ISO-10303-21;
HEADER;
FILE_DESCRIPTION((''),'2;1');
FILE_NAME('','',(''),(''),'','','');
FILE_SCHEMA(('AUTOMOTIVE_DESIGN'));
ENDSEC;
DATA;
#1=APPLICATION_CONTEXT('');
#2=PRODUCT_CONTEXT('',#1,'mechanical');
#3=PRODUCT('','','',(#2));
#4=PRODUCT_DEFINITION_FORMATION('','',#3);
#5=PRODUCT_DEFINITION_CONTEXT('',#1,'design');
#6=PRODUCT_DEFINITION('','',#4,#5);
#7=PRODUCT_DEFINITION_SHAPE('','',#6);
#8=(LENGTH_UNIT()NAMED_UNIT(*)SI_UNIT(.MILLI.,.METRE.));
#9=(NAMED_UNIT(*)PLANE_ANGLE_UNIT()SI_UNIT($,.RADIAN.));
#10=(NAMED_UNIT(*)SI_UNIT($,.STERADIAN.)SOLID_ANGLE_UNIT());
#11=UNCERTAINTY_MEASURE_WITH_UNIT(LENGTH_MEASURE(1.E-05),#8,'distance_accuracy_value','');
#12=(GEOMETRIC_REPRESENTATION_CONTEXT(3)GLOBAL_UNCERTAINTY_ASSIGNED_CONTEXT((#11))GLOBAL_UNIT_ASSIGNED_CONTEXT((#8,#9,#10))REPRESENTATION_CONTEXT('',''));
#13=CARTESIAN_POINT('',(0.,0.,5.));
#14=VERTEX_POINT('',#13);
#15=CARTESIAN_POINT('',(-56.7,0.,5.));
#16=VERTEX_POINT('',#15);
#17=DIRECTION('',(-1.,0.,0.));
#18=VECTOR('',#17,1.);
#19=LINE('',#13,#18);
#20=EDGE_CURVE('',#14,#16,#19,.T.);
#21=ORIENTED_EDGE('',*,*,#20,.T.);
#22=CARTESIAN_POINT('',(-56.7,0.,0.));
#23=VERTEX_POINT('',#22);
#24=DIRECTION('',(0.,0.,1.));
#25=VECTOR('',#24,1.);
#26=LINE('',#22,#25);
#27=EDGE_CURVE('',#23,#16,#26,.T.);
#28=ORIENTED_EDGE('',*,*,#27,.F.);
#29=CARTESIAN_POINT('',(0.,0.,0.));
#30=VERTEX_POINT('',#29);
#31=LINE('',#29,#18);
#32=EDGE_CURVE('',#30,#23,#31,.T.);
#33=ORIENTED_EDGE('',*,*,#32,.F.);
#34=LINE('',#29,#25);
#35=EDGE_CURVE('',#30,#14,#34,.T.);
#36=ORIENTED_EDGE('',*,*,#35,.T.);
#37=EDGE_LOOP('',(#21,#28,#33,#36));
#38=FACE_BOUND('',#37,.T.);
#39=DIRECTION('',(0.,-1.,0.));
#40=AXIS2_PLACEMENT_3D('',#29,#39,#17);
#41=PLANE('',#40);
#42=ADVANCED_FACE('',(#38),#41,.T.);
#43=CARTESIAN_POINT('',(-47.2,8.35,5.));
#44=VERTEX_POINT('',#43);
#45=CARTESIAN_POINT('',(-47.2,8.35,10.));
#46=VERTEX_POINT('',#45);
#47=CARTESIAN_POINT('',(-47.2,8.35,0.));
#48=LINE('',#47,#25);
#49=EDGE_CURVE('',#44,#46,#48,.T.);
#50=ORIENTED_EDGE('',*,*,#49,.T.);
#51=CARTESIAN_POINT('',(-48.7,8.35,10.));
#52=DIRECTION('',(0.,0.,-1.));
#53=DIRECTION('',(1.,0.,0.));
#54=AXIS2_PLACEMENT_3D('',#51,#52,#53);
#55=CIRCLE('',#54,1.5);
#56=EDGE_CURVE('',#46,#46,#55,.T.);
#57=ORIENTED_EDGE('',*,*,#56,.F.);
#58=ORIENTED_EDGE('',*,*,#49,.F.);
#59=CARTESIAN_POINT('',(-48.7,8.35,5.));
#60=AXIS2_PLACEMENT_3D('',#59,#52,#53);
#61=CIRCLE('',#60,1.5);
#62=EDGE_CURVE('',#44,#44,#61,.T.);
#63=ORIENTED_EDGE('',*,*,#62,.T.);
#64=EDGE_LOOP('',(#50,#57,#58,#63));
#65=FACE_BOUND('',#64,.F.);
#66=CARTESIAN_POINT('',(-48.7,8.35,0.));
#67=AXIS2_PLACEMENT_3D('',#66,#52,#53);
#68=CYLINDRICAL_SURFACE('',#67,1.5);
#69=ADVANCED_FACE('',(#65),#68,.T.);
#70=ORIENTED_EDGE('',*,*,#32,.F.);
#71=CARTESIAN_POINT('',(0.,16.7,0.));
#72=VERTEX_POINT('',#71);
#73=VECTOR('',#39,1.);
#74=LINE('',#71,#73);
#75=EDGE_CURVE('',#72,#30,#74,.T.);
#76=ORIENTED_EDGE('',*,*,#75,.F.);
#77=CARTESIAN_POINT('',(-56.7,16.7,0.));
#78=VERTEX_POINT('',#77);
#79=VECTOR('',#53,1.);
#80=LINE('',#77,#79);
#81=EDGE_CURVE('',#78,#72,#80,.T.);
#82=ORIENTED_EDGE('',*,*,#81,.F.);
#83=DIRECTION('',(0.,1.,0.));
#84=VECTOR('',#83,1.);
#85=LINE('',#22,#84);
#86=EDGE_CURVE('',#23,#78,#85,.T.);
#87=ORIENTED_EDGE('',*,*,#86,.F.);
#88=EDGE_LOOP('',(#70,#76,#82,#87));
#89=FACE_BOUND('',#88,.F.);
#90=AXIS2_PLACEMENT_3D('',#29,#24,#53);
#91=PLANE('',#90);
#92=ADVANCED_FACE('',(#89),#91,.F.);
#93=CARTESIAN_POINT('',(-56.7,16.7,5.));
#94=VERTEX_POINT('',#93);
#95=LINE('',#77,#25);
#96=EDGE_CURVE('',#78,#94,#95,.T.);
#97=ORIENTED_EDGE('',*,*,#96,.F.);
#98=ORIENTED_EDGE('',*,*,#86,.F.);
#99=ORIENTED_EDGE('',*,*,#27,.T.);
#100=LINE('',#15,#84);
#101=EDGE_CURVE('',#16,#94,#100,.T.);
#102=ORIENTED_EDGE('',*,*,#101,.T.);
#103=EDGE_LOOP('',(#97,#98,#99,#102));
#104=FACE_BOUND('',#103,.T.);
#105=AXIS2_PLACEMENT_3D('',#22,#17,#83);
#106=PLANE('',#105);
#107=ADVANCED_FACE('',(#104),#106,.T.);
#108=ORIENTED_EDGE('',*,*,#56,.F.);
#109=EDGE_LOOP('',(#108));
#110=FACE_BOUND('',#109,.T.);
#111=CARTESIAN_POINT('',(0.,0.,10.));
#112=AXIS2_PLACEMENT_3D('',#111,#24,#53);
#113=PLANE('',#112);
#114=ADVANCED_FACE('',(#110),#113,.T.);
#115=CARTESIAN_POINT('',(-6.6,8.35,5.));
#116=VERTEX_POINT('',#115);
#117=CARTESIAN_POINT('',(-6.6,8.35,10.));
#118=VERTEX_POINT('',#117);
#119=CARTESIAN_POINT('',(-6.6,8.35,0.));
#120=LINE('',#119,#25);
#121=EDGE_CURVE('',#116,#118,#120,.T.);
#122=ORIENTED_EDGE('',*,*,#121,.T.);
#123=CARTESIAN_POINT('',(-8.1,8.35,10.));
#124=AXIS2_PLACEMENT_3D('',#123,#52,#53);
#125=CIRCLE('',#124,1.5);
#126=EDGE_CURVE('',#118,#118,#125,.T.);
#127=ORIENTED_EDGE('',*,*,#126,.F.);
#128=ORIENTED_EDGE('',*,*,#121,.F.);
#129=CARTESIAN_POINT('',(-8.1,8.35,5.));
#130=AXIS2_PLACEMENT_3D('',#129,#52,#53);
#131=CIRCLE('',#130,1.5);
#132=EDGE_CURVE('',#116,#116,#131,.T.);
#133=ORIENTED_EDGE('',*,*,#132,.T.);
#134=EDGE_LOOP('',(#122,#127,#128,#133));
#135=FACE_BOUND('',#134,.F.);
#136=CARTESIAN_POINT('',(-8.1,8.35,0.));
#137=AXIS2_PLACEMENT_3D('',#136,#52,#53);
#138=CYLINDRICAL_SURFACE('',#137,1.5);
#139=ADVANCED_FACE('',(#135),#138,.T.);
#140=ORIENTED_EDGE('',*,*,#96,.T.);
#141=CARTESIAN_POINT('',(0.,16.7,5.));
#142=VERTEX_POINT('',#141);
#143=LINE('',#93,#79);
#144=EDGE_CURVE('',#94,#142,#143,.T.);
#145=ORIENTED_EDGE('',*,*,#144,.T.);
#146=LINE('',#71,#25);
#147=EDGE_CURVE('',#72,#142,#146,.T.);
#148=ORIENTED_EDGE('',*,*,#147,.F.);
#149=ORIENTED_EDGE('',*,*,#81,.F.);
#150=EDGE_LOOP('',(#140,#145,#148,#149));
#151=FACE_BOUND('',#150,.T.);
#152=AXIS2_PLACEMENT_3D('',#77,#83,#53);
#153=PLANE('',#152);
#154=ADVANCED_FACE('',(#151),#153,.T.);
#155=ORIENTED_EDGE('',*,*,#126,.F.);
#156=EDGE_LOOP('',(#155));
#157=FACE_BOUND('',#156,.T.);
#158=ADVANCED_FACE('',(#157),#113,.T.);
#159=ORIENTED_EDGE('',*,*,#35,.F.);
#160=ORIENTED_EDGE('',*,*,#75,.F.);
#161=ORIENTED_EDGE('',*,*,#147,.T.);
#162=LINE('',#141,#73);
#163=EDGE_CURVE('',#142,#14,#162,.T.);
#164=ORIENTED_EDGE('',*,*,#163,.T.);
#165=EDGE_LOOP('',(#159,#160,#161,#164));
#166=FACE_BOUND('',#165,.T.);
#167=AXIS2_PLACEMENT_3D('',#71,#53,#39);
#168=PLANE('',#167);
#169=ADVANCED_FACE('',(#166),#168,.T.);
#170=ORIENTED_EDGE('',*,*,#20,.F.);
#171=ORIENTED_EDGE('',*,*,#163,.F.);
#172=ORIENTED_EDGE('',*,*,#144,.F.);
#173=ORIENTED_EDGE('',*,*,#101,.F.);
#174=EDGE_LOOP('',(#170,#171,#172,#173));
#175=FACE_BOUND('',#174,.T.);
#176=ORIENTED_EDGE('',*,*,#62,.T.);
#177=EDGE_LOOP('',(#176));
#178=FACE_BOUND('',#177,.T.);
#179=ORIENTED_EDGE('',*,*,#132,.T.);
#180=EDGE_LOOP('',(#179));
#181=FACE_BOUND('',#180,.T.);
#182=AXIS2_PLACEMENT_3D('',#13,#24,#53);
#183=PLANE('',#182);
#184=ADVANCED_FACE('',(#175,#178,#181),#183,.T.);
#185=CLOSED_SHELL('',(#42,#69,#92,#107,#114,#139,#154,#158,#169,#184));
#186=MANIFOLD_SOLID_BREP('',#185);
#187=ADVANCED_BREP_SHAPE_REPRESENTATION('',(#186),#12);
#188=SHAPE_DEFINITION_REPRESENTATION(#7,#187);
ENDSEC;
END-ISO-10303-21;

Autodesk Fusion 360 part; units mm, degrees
sketch "Schizzo1" plane through (0, 0, 0) normal (0, 0, 1) x (1, 0, 0)
  line L0 (0, 0) -> (-56.8, 0)
  line L1 (-56.8, 0) -> (-56.8, 16.7)
  line L2 (-56.8, 16.7) -> (0, 16.7)
  line L3 (0, 16.7) -> (0, 0)
  line L4 (0, 0) -> (0, 8.35)
  line L5 (0, 8.35) -> (-56.8, 8.35)
  line L6 (-56.8, 8.35) -> (-48.7, 8.35)
  line L7 (0, 8.35) -> (-8.1, 8.35)
  circle A0 centre (-48.7, 8.35) radius 1.5
  circle A1 centre (-8.1, 8.35) radius 1.5
  dimension "d1" = 56.8
  dimension "d2" = 16.7
  dimension "d3" = 8.1
  dimension "d4" = 8.1
  dimension "d5" = 3
  dimension "d6" = 3
extrude "Estrusione1" add sketch "Schizzo1" along normal blind 10 contours L5 L7 A1 | L5 L7 A1 | L5 L6 A0 | L5 L6 A0 makes body 1 at (-48.4395, 6.8728, 6.6667) makes body 2 at (-6.6075, 8.4994, 6.6667)
sketch "Schizzo2" plane through (0, 0, 0) normal (0, 0, 1) x (1, 0, 0)
  line L0 (0, 0) -> (-56.7, 0)
  line L1 (-56.7, 0) -> (-56.7, 16.7)
  line L2 (-56.7, 16.7) -> (0, 16.7)
  line L3 (0, 16.7) -> (0, 0)
  dimension "d9" = 56.7
  dimension "d10" = 16.7
extrude "Estrusione2" add sketch "Schizzo2" along normal blind 5 bodies 1 2
